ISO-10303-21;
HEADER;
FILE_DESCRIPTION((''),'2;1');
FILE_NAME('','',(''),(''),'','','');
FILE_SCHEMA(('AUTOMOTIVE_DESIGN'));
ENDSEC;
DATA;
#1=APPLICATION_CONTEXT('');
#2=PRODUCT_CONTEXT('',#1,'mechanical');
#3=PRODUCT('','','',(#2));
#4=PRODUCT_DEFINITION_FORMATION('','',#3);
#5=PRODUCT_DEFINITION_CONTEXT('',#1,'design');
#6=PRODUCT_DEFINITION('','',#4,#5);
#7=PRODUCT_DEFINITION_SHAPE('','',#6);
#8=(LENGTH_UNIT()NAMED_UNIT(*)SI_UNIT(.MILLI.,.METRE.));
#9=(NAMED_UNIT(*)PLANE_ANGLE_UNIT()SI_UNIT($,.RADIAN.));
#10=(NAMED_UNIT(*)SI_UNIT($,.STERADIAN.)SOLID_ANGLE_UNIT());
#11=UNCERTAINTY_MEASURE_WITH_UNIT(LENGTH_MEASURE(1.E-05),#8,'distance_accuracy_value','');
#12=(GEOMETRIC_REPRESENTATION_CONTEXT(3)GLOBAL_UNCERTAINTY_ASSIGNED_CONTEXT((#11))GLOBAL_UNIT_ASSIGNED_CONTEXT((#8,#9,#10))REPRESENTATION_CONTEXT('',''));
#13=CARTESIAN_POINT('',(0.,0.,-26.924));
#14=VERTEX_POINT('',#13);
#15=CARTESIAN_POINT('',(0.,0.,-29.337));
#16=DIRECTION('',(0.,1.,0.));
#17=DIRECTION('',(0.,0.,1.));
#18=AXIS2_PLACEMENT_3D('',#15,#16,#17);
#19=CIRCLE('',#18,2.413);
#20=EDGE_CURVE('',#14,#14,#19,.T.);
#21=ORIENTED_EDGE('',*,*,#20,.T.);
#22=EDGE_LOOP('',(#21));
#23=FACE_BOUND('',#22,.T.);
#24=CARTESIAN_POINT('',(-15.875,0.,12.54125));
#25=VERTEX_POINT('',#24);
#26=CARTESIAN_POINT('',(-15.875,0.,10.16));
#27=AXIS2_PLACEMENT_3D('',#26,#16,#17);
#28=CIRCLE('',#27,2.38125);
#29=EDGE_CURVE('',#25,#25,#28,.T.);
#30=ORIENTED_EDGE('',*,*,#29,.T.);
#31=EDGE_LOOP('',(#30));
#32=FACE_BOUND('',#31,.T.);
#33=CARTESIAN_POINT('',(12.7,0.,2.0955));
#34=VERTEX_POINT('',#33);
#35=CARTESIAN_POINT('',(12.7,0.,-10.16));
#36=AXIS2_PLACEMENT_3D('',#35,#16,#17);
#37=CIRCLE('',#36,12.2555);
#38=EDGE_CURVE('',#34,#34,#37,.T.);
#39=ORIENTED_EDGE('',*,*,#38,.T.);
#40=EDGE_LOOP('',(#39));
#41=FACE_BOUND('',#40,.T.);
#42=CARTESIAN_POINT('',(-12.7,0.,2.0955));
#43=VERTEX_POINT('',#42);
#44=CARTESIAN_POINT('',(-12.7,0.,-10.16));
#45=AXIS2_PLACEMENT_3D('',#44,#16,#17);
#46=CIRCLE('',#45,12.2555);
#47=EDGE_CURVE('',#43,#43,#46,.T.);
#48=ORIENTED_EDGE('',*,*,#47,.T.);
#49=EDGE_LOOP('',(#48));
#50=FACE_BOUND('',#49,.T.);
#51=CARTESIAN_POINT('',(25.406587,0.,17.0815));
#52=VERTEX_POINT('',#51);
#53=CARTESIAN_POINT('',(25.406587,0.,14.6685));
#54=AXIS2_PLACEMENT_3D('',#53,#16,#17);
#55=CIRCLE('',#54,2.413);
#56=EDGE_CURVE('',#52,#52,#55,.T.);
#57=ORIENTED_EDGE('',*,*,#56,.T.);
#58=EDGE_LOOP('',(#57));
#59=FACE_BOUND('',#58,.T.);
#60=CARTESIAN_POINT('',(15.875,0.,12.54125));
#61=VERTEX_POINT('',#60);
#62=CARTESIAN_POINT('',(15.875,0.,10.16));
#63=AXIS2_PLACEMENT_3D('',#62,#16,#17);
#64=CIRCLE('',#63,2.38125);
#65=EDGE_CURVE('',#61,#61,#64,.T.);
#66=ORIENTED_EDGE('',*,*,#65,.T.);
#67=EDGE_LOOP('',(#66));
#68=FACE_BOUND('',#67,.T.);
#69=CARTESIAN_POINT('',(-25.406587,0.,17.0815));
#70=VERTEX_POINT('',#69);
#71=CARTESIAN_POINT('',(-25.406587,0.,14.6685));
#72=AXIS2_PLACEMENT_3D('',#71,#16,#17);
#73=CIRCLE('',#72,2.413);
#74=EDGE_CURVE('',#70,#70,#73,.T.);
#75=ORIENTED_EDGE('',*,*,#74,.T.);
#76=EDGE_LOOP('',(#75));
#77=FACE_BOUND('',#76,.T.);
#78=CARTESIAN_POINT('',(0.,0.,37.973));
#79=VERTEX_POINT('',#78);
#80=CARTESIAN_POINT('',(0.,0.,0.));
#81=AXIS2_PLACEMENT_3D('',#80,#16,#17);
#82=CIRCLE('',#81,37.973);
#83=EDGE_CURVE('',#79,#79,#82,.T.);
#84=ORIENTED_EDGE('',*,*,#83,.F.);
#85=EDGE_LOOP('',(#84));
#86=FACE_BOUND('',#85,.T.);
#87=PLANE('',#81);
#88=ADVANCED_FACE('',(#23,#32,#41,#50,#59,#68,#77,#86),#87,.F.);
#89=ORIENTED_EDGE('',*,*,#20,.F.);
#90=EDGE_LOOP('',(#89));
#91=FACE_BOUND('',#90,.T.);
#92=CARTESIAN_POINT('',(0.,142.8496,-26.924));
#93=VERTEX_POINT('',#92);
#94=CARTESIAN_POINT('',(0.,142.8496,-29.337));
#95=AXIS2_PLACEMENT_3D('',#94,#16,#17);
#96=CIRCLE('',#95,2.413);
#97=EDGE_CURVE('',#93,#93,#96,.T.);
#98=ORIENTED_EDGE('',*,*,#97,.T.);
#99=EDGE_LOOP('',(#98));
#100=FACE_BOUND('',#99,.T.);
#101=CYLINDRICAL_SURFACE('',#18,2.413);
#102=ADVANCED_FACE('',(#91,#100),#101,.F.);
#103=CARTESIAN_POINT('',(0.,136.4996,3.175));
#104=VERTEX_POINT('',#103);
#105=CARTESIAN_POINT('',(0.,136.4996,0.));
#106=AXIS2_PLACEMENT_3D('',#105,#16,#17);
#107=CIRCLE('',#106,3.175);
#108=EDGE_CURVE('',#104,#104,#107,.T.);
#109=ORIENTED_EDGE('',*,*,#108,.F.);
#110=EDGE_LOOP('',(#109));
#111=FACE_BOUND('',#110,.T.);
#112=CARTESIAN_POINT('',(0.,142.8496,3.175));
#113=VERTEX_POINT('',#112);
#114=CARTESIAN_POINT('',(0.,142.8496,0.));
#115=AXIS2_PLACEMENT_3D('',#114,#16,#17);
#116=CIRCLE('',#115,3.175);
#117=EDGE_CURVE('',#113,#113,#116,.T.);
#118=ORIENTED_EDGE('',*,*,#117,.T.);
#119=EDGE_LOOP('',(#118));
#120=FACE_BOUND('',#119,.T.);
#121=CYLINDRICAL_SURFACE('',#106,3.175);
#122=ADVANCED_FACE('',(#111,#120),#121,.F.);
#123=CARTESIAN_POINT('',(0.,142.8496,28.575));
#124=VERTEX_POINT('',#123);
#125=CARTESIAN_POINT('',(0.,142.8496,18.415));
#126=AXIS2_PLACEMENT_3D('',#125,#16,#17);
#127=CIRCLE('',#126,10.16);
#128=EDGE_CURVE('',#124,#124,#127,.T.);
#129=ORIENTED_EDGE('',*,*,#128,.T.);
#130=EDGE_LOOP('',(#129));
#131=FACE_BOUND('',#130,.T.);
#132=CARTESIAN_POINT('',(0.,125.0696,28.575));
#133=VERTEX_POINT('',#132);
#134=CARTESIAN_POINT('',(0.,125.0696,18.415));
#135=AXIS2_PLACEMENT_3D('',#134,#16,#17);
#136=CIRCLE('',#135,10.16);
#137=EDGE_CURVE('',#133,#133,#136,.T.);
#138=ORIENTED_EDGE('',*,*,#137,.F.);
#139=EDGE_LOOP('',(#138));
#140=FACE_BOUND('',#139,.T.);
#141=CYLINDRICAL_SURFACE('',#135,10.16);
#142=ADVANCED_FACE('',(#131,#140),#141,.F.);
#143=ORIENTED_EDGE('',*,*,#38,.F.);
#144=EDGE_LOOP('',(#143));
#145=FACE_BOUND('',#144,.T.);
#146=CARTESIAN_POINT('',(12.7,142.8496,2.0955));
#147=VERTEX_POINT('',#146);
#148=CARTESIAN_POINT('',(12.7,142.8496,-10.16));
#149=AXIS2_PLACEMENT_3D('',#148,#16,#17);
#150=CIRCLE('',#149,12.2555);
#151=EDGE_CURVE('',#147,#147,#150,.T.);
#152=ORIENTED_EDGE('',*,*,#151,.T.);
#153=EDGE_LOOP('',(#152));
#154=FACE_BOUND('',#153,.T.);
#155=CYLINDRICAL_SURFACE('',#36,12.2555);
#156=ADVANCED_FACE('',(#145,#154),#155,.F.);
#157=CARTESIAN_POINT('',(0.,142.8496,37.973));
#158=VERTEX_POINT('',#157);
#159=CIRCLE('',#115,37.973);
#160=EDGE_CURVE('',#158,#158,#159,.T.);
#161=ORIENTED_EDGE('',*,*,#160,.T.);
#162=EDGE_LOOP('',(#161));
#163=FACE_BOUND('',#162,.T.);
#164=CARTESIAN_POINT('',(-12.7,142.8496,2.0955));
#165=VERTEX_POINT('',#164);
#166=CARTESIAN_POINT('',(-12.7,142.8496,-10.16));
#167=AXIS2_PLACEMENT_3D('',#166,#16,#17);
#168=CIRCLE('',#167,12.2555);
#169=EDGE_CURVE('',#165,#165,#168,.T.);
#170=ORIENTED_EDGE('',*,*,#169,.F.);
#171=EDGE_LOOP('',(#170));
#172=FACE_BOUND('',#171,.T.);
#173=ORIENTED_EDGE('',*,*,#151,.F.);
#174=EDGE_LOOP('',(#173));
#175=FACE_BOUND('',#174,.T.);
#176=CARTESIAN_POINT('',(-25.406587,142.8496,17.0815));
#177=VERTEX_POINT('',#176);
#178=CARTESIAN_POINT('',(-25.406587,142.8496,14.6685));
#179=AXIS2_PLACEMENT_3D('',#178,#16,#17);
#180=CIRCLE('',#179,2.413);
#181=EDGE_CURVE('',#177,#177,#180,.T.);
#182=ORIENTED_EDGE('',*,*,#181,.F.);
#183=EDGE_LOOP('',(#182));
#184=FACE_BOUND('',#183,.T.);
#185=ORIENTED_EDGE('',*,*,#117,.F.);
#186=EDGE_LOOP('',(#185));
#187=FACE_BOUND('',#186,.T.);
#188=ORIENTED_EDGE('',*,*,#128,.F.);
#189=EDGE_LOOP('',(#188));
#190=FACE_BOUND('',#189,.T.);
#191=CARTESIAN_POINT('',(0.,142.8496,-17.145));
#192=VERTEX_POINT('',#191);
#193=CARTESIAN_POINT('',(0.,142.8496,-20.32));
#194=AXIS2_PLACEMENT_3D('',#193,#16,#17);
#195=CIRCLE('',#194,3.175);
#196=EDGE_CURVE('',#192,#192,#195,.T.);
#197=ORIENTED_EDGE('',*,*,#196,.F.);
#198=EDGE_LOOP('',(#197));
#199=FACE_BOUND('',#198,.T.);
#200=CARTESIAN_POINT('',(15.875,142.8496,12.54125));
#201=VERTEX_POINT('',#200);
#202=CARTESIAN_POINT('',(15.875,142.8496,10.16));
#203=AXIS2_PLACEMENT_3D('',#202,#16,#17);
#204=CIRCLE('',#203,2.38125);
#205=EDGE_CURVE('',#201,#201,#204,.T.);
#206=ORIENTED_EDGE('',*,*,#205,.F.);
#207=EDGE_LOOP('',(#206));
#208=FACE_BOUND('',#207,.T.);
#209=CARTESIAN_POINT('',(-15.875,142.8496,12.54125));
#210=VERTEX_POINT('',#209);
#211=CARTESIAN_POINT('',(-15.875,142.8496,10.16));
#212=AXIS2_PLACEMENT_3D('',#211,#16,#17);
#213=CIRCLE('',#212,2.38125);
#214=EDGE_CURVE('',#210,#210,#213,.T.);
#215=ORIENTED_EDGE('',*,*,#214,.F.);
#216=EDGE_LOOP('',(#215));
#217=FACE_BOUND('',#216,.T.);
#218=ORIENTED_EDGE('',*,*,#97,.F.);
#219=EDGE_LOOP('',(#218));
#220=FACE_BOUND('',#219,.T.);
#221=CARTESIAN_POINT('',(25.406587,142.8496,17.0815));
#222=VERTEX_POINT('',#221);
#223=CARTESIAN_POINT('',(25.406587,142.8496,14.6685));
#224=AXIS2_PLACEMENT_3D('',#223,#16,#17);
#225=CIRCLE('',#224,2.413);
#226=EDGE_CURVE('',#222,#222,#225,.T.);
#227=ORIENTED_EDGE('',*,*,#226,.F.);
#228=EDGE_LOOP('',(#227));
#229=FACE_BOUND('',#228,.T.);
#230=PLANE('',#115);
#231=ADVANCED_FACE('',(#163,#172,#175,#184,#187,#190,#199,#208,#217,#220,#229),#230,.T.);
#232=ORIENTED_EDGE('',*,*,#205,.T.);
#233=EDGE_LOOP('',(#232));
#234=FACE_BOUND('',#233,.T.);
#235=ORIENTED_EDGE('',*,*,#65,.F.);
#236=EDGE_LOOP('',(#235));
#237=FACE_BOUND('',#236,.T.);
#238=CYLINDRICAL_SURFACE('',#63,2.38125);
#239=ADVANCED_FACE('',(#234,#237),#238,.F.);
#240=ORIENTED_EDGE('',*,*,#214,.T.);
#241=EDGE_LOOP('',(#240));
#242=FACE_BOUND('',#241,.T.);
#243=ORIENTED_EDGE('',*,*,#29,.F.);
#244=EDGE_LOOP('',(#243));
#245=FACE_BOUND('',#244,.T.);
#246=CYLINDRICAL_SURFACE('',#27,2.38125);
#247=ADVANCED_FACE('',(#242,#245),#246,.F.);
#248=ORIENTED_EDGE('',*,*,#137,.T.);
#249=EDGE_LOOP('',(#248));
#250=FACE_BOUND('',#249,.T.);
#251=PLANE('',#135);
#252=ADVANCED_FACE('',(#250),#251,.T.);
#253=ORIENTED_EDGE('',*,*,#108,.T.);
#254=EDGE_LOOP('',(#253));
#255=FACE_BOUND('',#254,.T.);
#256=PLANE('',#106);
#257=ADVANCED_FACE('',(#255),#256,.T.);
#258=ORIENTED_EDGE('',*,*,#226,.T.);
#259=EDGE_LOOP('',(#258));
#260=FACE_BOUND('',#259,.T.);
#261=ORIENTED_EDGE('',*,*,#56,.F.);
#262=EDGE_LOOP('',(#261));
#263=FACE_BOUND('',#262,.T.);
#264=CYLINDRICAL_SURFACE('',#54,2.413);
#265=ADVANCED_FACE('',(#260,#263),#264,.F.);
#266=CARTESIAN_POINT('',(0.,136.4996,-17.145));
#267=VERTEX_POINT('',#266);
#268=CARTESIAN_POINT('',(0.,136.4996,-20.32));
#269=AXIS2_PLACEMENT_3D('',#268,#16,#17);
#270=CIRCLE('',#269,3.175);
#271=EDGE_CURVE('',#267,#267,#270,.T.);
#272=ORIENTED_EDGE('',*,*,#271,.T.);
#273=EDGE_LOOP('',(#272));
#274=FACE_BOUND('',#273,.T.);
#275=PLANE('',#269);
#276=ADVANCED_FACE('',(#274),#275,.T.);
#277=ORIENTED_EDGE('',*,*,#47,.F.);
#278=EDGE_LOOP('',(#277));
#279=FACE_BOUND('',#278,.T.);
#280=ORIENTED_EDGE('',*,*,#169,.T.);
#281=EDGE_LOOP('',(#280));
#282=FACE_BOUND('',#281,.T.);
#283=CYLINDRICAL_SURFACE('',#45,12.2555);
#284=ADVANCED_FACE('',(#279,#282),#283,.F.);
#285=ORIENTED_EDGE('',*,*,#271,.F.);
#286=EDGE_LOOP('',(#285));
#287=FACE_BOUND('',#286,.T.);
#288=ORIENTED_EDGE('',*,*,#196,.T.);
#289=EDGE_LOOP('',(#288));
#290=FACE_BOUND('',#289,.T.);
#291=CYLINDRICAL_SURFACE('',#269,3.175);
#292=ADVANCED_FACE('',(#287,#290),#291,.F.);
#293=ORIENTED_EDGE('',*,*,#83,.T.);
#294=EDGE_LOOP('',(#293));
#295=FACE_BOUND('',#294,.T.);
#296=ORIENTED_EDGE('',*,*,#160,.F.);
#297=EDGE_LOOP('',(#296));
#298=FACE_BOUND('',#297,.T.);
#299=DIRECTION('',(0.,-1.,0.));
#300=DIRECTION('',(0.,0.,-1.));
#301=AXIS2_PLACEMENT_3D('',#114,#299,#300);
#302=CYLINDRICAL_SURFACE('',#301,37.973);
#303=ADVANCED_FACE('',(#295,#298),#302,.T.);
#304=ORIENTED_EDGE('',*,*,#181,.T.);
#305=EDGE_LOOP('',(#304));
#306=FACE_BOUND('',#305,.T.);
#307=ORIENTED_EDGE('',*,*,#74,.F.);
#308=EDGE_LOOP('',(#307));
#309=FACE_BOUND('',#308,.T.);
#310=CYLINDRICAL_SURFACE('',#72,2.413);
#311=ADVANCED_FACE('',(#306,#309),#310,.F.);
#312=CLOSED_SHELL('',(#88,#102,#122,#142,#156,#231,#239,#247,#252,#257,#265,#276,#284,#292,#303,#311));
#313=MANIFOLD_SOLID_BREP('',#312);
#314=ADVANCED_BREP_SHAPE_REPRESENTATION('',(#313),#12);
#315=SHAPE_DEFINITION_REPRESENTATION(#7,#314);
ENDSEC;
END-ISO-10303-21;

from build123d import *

# Parameters (mm, degrees)
SKETCH1_R               = 37.973
BOSS_EXTRUDE1_DEPTH     = 142.8496
SKETCH2_R               = 2.413
CUT_EXTRUDE1_DEPTH      = 143.8496
SKETCH3_R               = 12.2555
CUT_EXTRUDE2_DEPTH      = 143.8496
SKETCH4_R               = 3.175
CUT_EXTRUDE3_DEPTH      = 6.35
SKETCH5_R               = 10.16
CUT_EXTRUDE4_DEPTH      = 17.78
SKETCH6_R               = 2.38125
CUT_EXTRUDE5_DEPTH      = 1
CUT_EXTRUDE5_DEPTH_BACK = 143.8496


with BuildPart() as part:
    # Sketch1 → Boss-Extrude1 (new body)
    with BuildSketch(Plane(origin=(0, 0, 0), x_dir=(1, 0, 0), z_dir=(0, 1, 0))):
        Circle(SKETCH1_R)
    extrude(amount=BOSS_EXTRUDE1_DEPTH)

    # Sketch2 → Cut-Extrude1 (cut, through all)
    with BuildSketch(Plane(origin=(0, 142.8496, 0), x_dir=(1, 0, 0), z_dir=(0, 1, 0))):
        with Locations((0, 29.337)):
            Circle(SKETCH2_R)
        with Locations((25.406587271, -14.6685)):
            Circle(SKETCH2_R)
        with Locations((-25.406587271, -14.6685)):
            Circle(SKETCH2_R)
    extrude(amount=-CUT_EXTRUDE1_DEPTH, mode=Mode.SUBTRACT)

    # Sketch3 → Cut-Extrude2 (cut, through all)
    with BuildSketch(Plane(origin=(0, 142.8496, 0), x_dir=(1, 0, 0), z_dir=(0, 1, 0))):
        with Locations((-12.7, 10.16)):
            Circle(SKETCH3_R)
        with Locations((12.7, 10.16)):
            Circle(SKETCH3_R)
    extrude(amount=-CUT_EXTRUDE2_DEPTH, mode=Mode.SUBTRACT)

    # Sketch4 → Cut-Extrude3 (cut)
    with BuildSketch(Plane(origin=(0, 142.8496, 0), x_dir=(1, 0, 0), z_dir=(0, 1, 0))):
        with Locations((0, 20.32)):
            Circle(SKETCH4_R)
        Circle(SKETCH4_R)
    extrude(amount=-CUT_EXTRUDE3_DEPTH, mode=Mode.SUBTRACT)

    # Sketch5 → Cut-Extrude4 (cut)
    with BuildSketch(Plane(origin=(0, 142.8496, 0), x_dir=(1, 0, 0), z_dir=(0, 1, 0))):
        with Locations((0, -18.415)):
            Circle(SKETCH5_R)
    extrude(amount=-CUT_EXTRUDE4_DEPTH, mode=Mode.SUBTRACT)

    # Sketch6 → Cut-Extrude5 (cut, two sides)
    with BuildSketch(Plane(origin=(0, 142.8496, 0), x_dir=(1, 0, 0), z_dir=(0, 1, 0))) as cut_extrude5_sk:
        with Locations((15.875, -10.16)):
            Circle(SKETCH6_R)
        with Locations((-15.875, -10.16)):
            Circle(SKETCH6_R)
    extrude(amount=CUT_EXTRUDE5_DEPTH, mode=Mode.SUBTRACT)
    extrude(cut_extrude5_sk.sketch, amount=-CUT_EXTRUDE5_DEPTH_BACK, mode=Mode.SUBTRACT)


solid = part.part
